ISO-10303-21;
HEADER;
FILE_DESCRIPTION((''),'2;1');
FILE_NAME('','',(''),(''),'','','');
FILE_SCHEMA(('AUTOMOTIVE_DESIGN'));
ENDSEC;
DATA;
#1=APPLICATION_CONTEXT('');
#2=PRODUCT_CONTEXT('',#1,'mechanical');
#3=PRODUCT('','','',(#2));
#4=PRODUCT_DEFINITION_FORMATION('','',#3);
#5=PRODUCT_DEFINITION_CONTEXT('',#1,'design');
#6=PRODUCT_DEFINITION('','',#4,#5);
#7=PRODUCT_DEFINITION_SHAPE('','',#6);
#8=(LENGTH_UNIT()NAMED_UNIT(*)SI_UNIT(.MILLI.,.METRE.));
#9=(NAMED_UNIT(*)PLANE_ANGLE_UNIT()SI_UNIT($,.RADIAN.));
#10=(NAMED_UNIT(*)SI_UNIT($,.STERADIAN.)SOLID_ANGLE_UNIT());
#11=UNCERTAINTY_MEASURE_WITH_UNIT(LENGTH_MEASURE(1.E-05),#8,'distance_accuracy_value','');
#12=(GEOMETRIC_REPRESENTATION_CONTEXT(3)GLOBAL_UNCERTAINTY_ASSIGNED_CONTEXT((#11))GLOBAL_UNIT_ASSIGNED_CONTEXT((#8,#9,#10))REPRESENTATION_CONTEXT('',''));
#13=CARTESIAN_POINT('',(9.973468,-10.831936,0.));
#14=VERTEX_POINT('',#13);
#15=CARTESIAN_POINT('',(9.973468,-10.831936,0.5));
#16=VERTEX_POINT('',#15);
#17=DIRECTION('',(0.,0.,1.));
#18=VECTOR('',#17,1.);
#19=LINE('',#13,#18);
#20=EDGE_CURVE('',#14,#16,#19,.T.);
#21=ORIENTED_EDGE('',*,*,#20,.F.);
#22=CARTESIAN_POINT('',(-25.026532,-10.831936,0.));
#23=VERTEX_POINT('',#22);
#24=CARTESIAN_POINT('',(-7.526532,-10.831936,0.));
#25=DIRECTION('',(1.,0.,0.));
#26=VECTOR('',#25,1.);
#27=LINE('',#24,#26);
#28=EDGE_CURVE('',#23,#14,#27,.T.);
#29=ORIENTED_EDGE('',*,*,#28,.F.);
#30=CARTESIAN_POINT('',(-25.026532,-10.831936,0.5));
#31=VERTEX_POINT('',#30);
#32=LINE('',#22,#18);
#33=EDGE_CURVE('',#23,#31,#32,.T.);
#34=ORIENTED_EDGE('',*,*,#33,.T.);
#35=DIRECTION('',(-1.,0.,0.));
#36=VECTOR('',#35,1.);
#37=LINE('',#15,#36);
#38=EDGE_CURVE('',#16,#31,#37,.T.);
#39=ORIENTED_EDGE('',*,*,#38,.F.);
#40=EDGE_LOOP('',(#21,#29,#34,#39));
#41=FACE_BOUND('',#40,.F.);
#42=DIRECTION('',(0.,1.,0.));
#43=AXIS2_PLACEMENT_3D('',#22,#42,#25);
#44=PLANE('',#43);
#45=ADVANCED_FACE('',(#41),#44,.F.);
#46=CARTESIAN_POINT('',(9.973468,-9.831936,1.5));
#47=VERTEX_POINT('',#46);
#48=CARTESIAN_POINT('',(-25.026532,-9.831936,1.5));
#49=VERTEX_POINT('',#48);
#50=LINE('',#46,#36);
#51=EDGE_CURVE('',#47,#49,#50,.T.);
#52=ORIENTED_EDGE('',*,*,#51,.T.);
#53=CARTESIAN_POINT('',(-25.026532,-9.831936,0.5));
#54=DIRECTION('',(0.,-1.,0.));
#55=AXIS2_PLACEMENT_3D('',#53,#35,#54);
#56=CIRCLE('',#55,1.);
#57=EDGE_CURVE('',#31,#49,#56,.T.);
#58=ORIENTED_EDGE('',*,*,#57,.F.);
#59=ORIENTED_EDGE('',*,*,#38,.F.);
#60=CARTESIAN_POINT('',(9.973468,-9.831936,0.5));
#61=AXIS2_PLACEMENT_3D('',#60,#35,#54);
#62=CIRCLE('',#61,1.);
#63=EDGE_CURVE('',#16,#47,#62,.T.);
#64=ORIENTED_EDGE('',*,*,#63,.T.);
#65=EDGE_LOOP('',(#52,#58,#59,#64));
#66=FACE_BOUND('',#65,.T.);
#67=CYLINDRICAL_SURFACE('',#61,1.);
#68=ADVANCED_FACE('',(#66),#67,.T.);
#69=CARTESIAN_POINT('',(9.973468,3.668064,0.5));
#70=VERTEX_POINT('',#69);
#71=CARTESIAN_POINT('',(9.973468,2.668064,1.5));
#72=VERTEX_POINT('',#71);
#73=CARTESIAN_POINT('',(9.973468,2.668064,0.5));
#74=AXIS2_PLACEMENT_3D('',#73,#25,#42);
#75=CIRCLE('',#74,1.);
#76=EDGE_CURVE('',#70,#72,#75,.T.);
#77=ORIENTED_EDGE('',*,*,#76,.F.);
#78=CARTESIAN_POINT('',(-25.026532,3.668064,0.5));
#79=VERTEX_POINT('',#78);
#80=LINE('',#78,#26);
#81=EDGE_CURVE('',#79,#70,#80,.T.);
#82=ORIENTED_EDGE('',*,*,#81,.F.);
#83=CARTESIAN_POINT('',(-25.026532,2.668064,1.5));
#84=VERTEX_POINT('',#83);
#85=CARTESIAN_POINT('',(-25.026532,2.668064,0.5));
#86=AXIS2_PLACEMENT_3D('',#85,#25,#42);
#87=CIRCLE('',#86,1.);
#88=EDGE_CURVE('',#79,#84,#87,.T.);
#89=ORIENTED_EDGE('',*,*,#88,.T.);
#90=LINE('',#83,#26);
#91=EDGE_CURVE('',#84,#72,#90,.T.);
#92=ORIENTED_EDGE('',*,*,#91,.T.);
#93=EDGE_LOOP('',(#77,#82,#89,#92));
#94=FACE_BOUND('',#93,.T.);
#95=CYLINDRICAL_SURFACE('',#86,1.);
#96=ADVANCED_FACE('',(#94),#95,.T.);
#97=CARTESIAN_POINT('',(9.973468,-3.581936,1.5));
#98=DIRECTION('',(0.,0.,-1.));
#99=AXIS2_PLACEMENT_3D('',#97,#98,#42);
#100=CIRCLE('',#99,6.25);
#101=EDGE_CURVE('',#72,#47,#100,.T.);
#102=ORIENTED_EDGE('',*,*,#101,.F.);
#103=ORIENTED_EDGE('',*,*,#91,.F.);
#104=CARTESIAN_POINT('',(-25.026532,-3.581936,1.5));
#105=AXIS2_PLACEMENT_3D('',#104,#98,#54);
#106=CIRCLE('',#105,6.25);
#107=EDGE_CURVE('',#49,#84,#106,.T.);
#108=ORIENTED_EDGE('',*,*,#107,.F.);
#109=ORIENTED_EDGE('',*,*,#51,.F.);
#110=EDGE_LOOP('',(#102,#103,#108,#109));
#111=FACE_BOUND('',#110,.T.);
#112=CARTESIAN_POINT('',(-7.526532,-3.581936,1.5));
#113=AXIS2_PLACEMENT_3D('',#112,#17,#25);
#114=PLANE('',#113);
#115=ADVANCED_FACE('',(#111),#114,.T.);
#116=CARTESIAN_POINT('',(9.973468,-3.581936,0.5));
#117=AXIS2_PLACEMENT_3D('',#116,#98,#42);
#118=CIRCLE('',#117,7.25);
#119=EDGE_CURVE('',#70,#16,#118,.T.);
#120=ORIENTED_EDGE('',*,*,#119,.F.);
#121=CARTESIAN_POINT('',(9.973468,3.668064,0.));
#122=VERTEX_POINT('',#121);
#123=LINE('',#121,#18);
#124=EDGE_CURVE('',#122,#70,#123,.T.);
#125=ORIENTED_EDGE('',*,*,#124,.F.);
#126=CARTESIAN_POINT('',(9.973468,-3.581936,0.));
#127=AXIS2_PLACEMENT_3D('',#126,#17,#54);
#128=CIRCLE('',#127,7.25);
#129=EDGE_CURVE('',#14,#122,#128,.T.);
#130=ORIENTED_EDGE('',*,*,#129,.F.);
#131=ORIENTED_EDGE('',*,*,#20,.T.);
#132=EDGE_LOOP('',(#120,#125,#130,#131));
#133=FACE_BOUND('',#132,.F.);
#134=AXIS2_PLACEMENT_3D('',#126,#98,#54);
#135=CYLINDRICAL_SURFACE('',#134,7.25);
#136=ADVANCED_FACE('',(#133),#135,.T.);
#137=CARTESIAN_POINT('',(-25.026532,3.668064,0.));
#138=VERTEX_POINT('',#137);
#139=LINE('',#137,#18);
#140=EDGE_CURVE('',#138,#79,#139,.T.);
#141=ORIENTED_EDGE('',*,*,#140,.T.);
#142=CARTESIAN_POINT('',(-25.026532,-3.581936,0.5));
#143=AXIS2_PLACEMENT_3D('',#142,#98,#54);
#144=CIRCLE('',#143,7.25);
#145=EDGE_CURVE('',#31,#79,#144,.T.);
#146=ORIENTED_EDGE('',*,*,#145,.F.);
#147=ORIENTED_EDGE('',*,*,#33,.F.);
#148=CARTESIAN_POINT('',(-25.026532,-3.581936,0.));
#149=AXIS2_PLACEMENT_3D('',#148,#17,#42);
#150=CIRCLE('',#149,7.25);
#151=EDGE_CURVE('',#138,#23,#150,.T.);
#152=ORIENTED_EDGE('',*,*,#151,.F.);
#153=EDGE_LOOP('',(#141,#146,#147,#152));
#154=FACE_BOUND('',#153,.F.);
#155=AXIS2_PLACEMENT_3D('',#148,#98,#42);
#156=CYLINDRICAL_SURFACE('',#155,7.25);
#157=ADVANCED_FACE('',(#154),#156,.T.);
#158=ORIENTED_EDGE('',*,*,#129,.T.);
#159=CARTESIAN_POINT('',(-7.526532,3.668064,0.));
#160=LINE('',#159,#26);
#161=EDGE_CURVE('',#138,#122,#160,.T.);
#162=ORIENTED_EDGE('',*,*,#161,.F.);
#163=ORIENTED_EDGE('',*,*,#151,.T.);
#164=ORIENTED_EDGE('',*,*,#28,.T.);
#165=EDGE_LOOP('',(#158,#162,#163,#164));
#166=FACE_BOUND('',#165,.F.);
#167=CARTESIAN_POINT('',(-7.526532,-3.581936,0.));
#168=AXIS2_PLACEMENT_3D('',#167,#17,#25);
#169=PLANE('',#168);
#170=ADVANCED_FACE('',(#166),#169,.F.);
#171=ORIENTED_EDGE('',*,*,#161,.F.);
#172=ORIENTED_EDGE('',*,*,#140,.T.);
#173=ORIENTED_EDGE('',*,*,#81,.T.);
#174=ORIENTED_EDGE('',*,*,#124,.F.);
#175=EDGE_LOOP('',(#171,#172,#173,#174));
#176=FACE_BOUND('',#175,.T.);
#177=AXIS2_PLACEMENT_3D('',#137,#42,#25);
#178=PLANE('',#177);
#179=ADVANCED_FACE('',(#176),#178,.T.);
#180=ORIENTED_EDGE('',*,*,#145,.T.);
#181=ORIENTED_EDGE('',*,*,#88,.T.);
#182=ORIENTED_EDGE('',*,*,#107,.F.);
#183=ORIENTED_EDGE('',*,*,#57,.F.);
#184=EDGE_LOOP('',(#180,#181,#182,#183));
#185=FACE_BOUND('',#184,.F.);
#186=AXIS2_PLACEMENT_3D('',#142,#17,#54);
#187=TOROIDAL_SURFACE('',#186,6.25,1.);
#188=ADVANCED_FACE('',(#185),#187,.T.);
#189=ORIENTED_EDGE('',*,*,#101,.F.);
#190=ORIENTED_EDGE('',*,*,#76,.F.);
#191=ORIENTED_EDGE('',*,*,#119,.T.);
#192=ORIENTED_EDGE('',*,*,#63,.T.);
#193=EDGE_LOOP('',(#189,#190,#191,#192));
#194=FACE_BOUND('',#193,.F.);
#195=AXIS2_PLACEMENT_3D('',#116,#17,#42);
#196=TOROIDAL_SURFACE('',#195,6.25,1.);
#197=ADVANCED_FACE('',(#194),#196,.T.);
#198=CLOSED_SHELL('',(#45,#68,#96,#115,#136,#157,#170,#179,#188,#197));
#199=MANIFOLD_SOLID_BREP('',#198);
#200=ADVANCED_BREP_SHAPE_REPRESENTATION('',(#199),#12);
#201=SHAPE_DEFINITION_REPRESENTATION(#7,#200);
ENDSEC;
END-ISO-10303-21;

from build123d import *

# Parameters (mm, degrees)
F0_W     = 35
F0_H     = 14.5
F1_DEPTH = 1.5
F2_R     = 1


with BuildPart() as f1:
    # F0 (on Top) → F1 (new body)
    with BuildSketch(Plane.XY):
        with Locations((-7.526532, -3.581936)):
            Rectangle(F0_W, F0_H)
        with BuildLine():
            Line((-25.026532, -10.831936), (-25.026532, 3.668064))
            ThreePointArc((-25.026532, 3.668064), (-32.276532, -3.581936), (-25.026532, -10.831936))
        make_face()
        with BuildLine():
            ThreePointArc((9.973468, -10.831936), (17.223468, -3.581936), (9.973468, 3.668064))
            Line((9.973468, 3.668064), (9.973468, -10.831936))
        make_face()
    extrude(amount=F1_DEPTH)

    # F2
    f2_edges = [f1.edges().sort_by_distance(p)[0] for p in [
        (-7.526532, 3.668064, 1.5),
        (-32.276532, -3.581936, 1.5),
        (-7.526532, -10.831936, 1.5),
        (17.223468, -3.581936, 1.5),
    ]]
    fillet(f2_edges, radius=F2_R)


solid = f1.part
